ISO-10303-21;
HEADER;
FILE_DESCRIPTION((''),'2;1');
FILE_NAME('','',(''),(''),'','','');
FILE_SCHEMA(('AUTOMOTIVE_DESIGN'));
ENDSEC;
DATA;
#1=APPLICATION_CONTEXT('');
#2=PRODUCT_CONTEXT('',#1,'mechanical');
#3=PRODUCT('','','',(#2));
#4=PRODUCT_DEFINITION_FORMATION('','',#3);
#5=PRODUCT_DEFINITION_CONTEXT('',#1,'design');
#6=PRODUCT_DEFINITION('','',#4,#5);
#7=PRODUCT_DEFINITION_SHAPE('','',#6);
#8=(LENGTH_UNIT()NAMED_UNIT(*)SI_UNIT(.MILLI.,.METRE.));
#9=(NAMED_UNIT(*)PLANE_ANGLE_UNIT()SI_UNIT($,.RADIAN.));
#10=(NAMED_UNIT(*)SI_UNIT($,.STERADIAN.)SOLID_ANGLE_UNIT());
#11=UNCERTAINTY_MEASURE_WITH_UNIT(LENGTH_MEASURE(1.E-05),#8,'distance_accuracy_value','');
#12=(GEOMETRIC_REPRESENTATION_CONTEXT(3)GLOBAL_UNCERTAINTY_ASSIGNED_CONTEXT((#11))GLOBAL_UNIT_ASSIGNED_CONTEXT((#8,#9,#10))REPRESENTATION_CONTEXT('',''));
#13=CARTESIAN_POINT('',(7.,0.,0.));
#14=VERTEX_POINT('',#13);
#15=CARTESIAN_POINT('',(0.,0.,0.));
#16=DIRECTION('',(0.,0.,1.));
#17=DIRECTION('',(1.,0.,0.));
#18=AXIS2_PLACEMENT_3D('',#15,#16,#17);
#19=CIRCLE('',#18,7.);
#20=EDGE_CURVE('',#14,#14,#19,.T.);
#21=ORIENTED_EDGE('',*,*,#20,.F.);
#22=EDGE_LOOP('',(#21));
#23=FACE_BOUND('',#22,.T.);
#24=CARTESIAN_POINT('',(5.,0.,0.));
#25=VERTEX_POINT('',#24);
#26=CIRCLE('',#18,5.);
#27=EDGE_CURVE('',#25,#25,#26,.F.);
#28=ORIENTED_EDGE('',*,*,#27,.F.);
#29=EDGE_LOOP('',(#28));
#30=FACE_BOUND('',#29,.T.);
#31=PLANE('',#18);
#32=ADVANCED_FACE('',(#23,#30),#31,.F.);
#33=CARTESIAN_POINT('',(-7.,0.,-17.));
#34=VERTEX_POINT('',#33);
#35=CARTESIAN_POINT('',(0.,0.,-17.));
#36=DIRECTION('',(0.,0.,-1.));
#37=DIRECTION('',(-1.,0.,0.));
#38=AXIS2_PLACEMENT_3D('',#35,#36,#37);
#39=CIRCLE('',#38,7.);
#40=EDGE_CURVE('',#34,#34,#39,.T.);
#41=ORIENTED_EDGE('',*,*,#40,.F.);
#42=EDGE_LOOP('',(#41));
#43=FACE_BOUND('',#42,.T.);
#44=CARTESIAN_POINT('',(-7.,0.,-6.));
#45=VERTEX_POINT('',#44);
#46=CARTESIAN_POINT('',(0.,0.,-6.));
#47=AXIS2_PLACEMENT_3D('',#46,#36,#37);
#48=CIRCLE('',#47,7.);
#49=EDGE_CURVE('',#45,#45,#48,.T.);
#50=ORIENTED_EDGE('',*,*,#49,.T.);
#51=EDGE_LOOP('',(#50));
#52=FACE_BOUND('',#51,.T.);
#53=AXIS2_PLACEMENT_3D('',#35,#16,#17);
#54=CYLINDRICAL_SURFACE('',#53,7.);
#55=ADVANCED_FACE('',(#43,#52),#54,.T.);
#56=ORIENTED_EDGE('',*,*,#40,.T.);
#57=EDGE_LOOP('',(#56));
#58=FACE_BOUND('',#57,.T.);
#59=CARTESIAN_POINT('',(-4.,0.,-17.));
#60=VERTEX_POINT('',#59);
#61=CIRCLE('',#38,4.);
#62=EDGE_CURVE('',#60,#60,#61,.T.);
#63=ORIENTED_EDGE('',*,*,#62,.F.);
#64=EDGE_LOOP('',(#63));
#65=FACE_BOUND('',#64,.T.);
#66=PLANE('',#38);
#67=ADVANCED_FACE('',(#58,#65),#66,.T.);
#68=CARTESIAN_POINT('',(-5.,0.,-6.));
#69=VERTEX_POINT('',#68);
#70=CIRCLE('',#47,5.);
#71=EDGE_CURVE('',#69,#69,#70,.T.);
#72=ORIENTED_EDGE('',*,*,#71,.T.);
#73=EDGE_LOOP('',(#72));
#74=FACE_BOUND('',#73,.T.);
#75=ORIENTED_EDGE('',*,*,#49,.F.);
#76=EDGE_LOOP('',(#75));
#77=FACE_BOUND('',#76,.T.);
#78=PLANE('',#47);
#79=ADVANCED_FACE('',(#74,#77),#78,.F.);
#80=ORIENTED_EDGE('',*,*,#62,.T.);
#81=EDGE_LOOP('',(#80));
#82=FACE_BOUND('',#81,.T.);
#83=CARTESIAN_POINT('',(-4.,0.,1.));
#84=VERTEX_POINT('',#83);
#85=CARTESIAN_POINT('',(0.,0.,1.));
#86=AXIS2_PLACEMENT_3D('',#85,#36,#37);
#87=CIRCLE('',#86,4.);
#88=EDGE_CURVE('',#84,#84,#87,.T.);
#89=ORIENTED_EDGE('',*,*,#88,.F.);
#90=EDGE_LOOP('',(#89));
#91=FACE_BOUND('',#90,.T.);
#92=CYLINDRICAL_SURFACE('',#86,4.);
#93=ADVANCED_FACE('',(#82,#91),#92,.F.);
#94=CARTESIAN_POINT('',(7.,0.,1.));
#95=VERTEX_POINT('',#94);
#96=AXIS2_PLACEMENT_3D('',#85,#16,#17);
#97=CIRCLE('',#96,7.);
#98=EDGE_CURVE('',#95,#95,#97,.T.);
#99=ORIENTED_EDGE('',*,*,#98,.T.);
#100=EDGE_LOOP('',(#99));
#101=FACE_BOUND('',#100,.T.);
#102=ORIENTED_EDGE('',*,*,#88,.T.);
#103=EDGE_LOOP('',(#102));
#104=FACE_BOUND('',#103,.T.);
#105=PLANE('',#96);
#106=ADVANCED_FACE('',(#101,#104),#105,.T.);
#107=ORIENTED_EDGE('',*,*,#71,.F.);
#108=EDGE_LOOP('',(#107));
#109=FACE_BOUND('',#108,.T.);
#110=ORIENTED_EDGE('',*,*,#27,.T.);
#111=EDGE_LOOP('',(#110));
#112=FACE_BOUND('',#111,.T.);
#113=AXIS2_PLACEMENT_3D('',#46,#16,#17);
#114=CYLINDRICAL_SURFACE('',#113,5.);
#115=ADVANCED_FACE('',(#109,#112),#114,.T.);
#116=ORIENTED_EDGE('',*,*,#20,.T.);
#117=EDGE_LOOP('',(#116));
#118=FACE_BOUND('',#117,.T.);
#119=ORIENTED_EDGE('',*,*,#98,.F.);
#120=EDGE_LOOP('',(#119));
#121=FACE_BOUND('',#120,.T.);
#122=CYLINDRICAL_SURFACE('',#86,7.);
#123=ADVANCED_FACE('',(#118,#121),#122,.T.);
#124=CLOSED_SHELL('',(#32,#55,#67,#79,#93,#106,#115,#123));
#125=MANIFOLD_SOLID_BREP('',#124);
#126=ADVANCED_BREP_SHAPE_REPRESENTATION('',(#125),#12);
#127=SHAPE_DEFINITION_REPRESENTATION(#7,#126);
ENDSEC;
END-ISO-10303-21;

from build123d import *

# Parameters (mm, degrees)
SKETCH_1_R          = 7
EXTRUDE_1_DEPTH     = 1
SKETCH_2_R          = 5
EXTRUDE_2_DEPTH     = 6
EXTRUDE_START       = 11
SKETCH_3_R          = 7
EXTRUDE_3_DEPTH     = 11
SKETCH_4_R          = 4
CUT_EXTRUDE_1_DEPTH = 21.542638584


with BuildPart() as part:
    # Эскиз1 → Бобышка-Вытянуть1 (new body)
    with BuildSketch(Plane.XY):
        Circle(SKETCH_1_R)
    extrude(amount=EXTRUDE_1_DEPTH)

    # Эскиз2 → Бобышка-Вытянуть2 (add)
    with BuildSketch(Plane(origin=(0, 0, 0), x_dir=(-1, 0, 0), z_dir=(0, 0, -1))):
        with Locations(Location((0, 0, 0), (0, 0, 180))):
            Circle(SKETCH_2_R)
    extrude(amount=EXTRUDE_2_DEPTH)

    # Эскиз3 → Бобышка-Вытянуть3 (add)
    with BuildSketch(Plane(origin=(0, 0, -6), x_dir=(-1, 0, 0), z_dir=(0, 0, -1)).offset(EXTRUDE_START)):
        with Locations(Location((0, 0, 0), (0, 0, 180))):
            Circle(SKETCH_3_R)
    extrude(amount=-EXTRUDE_3_DEPTH)

    # Эскиз4 → Вырез-Вытянуть1 (cut, through all)
    with BuildSketch(Plane(origin=(0, 0, -17), x_dir=(-1, 0, 0), z_dir=(0, 0, -1))):
        Circle(SKETCH_4_R)
    extrude(amount=-CUT_EXTRUDE_1_DEPTH, mode=Mode.SUBTRACT)


solid = part.part
